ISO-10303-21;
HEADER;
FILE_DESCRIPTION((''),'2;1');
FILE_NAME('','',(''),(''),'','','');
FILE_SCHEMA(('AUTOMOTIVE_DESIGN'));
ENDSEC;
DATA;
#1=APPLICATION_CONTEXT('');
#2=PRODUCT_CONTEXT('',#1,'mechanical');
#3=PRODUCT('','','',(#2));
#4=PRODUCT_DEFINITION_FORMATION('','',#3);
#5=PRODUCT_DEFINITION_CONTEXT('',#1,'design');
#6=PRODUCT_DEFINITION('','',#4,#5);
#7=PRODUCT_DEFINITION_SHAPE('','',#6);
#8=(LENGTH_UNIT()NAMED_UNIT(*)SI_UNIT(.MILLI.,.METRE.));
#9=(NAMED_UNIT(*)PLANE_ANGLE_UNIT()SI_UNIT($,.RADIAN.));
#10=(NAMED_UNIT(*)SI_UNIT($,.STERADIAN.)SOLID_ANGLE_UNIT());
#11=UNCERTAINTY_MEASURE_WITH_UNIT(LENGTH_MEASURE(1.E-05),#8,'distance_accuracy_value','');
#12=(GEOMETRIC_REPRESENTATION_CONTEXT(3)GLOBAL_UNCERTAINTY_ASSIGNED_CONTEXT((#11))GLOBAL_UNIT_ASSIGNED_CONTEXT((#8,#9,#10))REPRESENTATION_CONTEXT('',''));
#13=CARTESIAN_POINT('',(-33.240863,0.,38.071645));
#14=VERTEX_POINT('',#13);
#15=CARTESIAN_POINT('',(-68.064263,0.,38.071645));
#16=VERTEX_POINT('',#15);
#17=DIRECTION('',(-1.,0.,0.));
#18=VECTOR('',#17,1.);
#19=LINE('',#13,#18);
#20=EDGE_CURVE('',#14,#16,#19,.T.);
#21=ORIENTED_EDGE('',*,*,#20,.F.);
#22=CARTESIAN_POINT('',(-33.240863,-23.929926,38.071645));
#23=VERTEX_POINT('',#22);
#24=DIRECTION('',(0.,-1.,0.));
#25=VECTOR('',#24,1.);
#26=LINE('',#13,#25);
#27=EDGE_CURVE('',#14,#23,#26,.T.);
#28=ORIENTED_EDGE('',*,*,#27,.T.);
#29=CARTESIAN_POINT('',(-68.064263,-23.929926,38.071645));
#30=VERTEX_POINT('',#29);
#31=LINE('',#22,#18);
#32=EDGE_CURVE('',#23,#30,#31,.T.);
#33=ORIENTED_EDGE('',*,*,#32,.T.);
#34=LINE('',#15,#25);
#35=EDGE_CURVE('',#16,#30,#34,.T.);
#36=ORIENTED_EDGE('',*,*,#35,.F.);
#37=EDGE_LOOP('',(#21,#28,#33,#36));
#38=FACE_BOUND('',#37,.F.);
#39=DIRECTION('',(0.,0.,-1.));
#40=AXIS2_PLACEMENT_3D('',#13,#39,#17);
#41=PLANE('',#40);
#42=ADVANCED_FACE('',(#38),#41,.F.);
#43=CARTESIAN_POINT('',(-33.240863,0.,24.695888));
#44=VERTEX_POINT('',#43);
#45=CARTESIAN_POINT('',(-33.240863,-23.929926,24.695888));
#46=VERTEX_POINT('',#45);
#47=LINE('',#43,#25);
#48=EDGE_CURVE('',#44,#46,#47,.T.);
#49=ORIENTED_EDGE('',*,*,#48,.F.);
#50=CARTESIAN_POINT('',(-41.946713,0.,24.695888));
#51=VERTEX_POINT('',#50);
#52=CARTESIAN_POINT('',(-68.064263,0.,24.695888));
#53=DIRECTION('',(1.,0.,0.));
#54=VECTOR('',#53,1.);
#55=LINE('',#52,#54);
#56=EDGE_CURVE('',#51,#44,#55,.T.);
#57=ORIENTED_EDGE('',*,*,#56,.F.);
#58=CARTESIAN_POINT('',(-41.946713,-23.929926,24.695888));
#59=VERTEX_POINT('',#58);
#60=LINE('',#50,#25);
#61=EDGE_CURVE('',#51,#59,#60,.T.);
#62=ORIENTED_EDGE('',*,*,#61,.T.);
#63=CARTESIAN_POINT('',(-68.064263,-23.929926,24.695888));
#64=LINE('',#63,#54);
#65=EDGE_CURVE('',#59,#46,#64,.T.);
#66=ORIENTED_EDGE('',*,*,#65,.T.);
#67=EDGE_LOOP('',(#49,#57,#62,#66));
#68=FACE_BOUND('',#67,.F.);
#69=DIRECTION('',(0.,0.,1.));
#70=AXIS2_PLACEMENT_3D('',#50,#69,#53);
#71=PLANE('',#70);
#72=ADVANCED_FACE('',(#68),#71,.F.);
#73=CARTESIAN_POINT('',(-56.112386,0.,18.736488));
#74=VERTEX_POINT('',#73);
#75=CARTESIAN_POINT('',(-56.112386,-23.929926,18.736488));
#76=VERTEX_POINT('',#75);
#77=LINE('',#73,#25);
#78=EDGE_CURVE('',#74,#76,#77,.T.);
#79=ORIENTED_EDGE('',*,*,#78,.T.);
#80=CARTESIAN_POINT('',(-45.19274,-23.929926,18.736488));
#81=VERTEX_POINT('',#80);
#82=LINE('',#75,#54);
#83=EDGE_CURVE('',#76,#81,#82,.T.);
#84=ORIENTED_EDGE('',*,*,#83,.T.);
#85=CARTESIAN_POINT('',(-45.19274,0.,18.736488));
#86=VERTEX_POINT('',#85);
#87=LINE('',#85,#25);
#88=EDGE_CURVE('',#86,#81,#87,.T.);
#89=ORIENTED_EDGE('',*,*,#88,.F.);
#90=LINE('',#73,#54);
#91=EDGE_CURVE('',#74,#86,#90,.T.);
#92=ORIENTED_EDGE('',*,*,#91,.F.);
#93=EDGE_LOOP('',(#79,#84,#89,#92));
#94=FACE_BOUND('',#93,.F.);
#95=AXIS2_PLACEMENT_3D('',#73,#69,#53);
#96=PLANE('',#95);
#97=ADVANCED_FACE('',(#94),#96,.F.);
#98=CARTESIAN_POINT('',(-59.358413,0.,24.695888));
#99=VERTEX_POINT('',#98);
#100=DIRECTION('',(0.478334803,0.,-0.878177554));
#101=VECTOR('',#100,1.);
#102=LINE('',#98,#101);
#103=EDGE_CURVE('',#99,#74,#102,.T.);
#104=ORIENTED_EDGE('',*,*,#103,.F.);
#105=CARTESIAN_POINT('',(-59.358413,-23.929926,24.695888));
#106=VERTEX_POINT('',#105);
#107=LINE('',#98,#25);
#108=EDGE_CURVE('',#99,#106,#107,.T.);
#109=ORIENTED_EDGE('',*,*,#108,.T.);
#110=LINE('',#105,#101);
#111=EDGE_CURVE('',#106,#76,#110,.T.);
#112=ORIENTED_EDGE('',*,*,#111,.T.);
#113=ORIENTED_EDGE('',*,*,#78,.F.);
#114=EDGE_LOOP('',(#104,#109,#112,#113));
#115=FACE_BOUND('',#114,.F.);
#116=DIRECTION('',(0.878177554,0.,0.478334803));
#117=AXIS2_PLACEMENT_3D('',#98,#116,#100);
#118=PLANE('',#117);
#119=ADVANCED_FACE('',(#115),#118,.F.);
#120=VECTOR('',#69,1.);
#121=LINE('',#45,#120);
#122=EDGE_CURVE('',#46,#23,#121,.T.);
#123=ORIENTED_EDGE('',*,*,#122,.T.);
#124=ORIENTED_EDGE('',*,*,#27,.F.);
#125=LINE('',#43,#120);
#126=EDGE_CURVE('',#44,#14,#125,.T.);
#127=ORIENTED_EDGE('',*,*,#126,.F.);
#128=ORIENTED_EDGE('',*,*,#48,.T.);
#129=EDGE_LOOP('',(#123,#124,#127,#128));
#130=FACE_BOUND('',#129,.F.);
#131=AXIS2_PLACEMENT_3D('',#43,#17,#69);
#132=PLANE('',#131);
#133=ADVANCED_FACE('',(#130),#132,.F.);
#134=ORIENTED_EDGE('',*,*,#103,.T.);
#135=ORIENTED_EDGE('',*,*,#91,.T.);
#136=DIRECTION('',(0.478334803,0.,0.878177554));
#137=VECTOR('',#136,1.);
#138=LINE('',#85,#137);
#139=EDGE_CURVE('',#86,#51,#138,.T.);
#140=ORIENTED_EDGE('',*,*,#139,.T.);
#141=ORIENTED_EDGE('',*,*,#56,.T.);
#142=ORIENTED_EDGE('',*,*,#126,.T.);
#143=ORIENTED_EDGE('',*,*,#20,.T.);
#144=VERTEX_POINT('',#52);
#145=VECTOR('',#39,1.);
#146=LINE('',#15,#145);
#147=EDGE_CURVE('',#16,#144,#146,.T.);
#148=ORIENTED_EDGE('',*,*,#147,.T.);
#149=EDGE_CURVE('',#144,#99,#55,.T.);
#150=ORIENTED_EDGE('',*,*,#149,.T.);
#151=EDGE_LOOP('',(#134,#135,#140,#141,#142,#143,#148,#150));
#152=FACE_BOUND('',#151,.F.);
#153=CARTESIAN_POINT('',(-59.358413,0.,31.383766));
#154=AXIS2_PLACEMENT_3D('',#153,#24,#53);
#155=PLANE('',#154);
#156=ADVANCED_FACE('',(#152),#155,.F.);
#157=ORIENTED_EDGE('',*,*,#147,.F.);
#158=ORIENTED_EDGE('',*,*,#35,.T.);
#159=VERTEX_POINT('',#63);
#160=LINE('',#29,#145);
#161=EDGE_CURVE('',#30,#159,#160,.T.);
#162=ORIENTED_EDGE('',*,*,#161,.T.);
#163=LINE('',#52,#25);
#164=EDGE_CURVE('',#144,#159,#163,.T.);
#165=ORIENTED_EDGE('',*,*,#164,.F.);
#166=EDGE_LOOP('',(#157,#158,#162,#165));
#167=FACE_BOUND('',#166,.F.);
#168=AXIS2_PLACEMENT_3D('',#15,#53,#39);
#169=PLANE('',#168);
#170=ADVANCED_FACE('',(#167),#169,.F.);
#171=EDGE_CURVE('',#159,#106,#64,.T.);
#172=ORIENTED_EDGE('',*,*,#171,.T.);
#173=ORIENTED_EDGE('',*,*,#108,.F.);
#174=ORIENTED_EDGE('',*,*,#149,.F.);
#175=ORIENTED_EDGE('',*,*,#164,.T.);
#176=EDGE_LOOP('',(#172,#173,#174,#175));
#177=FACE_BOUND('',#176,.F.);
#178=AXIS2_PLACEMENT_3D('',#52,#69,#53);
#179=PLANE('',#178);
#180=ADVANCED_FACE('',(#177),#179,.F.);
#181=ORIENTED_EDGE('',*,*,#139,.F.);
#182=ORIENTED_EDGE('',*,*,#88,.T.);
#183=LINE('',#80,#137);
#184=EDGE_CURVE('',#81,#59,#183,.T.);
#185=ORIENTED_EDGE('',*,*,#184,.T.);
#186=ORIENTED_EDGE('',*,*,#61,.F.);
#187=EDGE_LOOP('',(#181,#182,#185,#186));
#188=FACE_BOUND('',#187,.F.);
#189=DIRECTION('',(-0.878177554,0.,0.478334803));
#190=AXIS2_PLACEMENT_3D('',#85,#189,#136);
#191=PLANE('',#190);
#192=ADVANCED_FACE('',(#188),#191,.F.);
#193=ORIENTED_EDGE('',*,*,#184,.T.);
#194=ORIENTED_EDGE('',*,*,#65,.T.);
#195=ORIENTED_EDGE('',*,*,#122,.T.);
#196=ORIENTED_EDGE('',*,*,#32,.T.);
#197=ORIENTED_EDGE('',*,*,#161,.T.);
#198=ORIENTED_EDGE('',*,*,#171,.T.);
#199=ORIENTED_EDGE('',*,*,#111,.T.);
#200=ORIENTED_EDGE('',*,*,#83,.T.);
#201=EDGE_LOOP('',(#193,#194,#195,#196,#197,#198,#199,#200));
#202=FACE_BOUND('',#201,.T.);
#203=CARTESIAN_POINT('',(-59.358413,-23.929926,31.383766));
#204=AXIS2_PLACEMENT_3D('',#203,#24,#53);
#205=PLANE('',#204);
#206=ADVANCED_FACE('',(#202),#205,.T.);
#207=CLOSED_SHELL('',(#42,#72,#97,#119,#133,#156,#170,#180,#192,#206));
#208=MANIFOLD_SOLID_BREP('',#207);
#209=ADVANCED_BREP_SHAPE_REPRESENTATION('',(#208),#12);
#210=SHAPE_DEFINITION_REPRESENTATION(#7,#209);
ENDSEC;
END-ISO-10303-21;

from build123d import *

# Parameters (mm, degrees)
F1_DEPTH = 17.018
F2_SCALE = 1.4061538462


with BuildPart() as f1:
    # F0 (on Front) → F1 (new body)
    with BuildSketch(Plane.XZ):
        Polygon((-36.0220632184, 27.0750209246), (-48.4045632184, 27.0750209246), (-48.4045632184, 17.5627209246), (-42.2133132184, 17.5627209246), (-36.0220632184, 17.5627209246), align=None)
        Polygon((-23.6395632184, 27.0750209246), (-36.0220632184, 27.0750209246), (-36.0220632184, 17.5627209246), (-29.8308132184, 17.5627209246), (-23.6395632184, 17.5627209246), align=None)
        Polygon((-29.8308132184, 17.5627209246), (-36.0220632184, 17.5627209246), (-42.2133132184, 17.5627209246), (-39.9048694572, 13.3246360503), (-32.1392569795, 13.3246360503), align=None)
    extrude(amount=F1_DEPTH)


with BuildPart() as f1_1:
    # F2: moved
    add(f1.part.scale(F2_SCALE))


solid = f1_1.part
